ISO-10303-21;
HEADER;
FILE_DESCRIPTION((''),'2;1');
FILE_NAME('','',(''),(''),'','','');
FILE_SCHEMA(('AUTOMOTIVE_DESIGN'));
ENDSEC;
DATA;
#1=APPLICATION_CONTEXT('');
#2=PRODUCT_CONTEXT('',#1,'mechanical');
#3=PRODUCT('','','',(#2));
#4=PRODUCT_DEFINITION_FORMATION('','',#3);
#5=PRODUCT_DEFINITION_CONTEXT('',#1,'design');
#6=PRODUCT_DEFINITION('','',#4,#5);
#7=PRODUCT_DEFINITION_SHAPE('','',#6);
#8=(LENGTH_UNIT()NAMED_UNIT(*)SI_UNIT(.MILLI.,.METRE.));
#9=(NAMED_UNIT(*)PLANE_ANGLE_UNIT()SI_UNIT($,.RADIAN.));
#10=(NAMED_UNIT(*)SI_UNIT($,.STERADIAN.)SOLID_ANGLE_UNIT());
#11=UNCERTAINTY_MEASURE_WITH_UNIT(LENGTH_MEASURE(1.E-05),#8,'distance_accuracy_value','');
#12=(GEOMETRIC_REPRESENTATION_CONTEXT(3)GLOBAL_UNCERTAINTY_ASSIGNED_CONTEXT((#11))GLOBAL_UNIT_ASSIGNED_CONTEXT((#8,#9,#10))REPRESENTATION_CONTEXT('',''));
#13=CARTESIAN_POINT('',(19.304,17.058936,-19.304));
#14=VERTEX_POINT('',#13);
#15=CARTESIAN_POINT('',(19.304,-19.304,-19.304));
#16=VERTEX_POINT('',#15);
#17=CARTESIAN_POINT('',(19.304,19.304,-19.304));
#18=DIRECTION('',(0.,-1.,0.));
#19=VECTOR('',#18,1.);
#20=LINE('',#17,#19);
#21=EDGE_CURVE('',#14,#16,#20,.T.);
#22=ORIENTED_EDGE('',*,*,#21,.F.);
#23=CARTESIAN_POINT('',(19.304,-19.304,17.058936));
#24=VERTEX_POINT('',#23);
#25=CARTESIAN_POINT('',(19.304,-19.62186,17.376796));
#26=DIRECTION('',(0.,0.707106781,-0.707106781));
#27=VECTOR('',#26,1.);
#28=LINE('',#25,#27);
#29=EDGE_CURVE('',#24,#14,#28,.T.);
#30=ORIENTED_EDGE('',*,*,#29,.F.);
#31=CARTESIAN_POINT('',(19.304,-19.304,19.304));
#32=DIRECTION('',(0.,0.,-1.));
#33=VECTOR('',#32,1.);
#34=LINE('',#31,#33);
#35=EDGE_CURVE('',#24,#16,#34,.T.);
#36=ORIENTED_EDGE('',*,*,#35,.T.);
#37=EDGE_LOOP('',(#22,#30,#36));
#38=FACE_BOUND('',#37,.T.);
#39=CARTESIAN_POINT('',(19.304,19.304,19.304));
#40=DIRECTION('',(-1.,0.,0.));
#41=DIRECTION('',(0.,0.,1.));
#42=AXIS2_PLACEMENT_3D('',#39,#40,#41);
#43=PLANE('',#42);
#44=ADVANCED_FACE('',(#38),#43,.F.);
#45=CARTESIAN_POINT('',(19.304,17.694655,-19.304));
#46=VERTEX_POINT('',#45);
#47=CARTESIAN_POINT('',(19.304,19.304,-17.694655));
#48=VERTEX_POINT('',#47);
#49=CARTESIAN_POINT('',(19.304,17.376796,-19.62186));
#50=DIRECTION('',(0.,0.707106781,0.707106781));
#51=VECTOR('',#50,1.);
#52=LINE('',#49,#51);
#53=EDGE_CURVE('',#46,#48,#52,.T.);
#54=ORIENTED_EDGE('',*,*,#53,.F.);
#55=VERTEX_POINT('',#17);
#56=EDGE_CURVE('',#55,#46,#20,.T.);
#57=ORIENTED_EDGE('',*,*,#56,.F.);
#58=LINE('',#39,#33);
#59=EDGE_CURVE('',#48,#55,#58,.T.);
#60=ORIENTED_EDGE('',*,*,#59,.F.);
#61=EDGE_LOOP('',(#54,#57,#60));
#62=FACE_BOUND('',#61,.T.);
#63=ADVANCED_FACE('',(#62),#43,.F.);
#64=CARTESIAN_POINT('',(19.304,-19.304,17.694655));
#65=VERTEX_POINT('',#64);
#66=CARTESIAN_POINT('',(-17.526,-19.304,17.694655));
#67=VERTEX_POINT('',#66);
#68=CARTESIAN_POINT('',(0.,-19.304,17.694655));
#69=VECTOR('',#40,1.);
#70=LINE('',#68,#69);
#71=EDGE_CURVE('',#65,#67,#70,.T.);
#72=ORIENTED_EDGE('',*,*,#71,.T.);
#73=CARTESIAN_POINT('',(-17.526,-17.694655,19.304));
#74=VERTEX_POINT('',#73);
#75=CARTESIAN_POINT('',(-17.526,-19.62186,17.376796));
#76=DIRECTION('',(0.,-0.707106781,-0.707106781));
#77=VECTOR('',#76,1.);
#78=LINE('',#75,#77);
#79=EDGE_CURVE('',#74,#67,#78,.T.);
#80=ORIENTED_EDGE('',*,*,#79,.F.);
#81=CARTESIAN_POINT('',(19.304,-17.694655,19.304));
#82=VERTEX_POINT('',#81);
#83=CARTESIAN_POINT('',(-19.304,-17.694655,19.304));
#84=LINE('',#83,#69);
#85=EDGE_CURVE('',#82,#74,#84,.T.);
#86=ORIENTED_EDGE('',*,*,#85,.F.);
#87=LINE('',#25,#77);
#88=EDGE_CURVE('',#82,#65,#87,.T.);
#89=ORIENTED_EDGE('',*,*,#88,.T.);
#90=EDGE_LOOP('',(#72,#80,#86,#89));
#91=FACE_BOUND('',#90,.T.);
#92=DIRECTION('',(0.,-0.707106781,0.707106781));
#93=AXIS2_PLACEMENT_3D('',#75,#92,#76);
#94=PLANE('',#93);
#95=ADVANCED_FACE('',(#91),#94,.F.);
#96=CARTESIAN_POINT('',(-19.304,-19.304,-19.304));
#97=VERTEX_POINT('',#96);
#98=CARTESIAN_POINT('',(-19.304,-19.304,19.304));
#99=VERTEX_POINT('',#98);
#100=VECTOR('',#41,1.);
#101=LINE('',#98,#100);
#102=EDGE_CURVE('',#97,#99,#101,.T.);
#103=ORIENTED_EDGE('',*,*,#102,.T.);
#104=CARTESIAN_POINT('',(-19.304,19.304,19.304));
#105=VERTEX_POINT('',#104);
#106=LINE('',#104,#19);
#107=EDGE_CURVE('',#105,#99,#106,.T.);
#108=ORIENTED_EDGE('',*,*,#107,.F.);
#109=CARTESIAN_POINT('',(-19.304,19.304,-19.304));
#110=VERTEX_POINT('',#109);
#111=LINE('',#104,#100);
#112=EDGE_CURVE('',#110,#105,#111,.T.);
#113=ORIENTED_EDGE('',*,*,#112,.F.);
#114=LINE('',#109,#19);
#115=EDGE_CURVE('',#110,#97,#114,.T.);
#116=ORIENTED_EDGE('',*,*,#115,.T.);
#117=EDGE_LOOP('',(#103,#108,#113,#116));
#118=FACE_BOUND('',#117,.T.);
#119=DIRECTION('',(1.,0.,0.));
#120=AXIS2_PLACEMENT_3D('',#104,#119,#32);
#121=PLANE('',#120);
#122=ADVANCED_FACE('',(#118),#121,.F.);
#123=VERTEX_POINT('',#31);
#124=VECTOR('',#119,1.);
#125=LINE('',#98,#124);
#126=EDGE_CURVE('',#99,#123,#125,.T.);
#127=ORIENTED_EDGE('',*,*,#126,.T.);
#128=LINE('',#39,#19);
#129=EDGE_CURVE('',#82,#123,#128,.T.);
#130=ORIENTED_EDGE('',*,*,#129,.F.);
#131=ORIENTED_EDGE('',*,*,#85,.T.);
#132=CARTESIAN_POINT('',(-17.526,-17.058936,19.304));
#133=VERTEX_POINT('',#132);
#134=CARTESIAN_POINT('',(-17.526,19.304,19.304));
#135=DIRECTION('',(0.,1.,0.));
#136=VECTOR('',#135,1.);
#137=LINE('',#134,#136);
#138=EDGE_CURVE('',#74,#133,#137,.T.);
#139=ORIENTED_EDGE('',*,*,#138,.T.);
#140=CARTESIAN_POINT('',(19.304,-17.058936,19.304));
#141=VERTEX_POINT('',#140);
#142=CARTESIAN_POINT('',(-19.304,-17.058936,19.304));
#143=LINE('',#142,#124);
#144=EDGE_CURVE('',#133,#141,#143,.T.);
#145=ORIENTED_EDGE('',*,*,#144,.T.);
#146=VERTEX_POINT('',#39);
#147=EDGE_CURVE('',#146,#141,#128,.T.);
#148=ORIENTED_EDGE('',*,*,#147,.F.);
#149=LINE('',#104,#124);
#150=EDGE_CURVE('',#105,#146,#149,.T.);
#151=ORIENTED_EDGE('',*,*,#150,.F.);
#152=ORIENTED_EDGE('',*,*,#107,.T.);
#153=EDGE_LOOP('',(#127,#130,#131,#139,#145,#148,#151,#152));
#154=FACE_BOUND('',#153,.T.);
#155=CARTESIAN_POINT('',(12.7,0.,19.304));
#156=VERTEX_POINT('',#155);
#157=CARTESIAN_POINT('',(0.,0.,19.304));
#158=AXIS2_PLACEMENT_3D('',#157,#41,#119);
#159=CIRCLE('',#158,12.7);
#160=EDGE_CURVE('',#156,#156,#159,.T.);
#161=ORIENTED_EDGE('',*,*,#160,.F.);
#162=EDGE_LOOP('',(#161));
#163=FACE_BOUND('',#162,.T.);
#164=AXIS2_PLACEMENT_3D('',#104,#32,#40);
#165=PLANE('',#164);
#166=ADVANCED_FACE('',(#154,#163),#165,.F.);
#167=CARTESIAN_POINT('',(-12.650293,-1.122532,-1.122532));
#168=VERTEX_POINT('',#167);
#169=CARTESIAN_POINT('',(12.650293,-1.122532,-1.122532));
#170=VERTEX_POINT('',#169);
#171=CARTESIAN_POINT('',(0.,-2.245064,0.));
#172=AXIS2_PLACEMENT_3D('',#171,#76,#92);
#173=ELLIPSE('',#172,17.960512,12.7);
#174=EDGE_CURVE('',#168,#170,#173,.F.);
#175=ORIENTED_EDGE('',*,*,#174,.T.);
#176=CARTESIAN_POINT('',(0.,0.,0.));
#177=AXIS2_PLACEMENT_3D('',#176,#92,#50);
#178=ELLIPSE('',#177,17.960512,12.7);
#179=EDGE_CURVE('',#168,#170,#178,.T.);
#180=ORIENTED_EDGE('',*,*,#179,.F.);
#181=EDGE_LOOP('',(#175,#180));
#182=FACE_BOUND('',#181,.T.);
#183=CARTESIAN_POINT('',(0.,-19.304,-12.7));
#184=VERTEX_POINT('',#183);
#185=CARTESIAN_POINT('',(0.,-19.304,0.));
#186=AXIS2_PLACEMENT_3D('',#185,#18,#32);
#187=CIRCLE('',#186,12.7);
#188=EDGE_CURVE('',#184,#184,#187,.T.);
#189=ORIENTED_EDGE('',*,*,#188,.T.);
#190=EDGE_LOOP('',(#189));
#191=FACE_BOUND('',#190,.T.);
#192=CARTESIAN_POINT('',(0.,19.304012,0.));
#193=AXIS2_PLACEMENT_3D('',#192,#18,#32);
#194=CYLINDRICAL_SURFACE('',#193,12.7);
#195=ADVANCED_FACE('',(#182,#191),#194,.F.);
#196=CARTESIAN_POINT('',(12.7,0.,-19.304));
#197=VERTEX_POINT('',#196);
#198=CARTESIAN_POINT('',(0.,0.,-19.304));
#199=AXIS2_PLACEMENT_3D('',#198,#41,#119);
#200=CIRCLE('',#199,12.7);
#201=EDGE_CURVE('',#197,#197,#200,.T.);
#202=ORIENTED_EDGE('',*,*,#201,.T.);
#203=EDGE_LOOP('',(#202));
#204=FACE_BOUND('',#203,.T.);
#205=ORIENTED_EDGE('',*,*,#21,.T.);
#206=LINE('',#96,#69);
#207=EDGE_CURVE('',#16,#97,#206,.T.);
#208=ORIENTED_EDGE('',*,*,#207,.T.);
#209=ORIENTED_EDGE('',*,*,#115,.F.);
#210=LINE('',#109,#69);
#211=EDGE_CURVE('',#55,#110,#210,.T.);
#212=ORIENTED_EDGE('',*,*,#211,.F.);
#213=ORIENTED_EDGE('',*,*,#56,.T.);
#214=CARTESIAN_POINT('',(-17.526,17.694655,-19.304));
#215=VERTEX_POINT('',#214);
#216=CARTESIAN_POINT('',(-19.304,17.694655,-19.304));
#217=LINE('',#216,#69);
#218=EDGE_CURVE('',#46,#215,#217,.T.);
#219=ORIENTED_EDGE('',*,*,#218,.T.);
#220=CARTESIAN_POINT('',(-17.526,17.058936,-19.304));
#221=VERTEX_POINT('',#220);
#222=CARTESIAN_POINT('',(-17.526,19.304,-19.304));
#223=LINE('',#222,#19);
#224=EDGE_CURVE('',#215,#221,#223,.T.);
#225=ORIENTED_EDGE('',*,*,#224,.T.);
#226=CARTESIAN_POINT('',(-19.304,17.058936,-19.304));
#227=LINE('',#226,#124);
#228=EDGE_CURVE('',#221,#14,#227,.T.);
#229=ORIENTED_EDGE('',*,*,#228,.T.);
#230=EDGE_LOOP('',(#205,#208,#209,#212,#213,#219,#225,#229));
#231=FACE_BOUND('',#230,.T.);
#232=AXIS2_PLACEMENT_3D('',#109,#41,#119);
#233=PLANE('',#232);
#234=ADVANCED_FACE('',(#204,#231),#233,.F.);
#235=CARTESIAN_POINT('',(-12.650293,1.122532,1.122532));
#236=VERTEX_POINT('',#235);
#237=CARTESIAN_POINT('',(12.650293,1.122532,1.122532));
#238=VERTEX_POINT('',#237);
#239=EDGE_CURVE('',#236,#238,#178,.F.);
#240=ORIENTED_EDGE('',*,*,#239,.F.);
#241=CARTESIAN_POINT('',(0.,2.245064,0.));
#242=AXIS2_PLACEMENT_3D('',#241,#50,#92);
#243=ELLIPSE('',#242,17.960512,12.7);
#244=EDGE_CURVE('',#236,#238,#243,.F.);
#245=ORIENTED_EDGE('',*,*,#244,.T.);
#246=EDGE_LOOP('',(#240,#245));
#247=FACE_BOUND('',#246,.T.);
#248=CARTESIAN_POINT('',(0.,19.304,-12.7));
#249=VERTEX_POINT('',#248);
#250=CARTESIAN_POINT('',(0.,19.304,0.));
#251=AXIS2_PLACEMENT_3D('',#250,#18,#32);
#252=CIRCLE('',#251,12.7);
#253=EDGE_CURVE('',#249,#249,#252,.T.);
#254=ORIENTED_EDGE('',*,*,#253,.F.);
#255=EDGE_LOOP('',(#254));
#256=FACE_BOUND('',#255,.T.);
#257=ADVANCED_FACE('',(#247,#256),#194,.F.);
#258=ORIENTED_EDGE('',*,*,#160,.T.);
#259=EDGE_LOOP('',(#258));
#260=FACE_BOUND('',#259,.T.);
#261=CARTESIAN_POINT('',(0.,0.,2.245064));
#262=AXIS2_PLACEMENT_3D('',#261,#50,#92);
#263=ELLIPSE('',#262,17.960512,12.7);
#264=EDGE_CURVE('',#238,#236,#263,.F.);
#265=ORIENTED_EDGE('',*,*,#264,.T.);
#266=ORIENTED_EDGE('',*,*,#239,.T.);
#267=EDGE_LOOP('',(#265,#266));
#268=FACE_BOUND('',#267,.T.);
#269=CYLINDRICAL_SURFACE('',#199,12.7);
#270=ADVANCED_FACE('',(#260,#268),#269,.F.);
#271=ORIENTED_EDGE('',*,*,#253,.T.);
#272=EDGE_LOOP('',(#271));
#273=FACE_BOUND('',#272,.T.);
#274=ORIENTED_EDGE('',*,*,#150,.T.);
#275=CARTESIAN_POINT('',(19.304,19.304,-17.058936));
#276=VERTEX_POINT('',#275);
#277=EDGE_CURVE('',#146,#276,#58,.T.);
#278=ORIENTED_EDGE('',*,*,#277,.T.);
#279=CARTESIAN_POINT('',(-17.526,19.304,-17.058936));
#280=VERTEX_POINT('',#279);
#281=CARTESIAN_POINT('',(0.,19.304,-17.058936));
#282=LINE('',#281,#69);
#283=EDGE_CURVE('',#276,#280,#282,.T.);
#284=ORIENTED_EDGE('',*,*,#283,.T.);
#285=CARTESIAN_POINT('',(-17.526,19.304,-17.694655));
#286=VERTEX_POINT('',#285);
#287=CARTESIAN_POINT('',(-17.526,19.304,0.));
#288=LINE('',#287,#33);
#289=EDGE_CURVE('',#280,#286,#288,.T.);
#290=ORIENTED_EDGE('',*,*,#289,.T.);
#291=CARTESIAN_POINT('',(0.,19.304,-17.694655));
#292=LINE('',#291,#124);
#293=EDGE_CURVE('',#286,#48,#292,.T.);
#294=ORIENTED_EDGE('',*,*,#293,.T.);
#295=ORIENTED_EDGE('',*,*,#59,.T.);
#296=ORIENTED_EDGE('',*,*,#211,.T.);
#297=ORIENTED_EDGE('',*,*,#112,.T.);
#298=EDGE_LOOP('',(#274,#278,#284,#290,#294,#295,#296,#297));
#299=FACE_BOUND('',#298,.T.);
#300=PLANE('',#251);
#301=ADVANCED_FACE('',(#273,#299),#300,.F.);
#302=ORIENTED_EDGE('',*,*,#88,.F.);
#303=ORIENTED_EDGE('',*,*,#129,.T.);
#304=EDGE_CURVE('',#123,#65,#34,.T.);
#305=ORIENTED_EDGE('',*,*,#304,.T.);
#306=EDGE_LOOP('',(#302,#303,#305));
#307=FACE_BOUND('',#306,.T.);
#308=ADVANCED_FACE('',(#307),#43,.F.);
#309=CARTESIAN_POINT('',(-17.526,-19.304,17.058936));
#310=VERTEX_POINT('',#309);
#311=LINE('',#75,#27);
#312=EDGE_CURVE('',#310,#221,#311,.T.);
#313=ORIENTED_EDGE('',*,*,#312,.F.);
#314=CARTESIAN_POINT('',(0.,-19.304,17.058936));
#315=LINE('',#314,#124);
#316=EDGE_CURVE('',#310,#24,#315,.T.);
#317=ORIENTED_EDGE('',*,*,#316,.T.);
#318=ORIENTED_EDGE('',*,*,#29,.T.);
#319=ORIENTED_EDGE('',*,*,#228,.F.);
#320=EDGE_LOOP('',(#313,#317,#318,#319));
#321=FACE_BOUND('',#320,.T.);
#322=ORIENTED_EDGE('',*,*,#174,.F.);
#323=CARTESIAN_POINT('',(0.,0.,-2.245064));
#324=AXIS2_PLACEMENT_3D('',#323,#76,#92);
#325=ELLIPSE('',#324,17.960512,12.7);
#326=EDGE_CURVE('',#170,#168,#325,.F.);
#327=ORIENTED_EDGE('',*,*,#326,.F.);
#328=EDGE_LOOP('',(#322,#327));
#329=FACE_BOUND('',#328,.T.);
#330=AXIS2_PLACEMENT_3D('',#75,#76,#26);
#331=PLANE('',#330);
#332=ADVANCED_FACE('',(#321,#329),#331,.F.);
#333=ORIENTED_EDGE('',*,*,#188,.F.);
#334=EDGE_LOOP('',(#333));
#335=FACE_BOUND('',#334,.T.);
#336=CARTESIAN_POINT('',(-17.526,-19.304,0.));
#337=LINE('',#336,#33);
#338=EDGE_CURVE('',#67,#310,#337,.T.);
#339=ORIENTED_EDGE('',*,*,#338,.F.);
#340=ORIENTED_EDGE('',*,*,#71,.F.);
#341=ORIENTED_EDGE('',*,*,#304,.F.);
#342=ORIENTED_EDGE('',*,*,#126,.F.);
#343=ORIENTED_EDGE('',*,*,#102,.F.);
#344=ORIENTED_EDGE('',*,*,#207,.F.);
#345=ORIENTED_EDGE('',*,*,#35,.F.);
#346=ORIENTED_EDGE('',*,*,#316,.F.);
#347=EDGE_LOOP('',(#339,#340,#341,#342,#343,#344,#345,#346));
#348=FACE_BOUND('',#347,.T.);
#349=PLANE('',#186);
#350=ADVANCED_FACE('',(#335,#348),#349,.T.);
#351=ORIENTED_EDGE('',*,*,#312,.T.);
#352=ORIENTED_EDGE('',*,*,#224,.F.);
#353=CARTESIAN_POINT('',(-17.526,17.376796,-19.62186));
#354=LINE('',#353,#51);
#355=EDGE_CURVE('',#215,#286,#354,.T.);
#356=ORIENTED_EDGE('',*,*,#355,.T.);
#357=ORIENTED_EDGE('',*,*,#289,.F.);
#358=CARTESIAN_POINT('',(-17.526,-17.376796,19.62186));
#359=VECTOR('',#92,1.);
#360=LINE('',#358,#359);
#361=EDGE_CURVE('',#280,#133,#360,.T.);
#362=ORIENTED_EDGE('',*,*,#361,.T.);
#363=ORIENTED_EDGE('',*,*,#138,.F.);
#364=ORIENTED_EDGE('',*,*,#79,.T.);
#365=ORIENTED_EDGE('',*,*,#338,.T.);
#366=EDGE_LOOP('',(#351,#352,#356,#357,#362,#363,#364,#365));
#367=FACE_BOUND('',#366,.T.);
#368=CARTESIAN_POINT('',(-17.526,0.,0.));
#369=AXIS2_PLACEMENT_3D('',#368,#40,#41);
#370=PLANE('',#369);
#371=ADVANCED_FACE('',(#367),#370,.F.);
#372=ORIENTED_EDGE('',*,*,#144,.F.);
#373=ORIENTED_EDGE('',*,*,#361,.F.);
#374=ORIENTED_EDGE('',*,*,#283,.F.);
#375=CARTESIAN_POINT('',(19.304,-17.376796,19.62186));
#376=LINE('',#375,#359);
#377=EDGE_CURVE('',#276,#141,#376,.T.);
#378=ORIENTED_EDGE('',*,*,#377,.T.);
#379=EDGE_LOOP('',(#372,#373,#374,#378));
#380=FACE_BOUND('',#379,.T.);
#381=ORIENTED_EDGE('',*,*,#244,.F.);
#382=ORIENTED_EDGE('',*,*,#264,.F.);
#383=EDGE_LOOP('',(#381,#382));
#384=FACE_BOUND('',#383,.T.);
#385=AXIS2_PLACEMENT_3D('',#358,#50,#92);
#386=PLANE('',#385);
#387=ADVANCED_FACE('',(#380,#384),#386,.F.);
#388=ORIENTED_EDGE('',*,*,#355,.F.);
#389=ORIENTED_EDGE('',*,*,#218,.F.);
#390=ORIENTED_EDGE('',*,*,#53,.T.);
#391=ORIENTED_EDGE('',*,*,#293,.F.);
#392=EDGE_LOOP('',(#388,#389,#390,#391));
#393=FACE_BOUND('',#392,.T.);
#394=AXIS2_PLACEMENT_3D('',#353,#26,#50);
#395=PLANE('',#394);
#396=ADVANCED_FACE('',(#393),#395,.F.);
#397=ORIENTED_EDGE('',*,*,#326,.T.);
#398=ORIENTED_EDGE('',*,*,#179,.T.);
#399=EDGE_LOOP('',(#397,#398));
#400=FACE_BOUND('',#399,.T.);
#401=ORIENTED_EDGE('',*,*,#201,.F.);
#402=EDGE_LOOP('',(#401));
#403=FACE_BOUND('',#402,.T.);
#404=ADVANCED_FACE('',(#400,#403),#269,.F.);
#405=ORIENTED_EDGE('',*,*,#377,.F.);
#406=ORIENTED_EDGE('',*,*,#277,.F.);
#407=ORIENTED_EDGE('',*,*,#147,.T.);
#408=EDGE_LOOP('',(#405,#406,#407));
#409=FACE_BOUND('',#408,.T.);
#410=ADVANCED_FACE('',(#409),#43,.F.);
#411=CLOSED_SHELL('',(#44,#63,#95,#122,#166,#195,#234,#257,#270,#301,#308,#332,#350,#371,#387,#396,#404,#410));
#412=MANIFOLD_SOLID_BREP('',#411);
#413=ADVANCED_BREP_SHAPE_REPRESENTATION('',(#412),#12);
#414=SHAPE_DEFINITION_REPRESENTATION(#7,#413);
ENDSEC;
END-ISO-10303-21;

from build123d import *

# Parameters (mm, degrees)
SKETCH1_W               = 38.608
SKETCH1_H               = 38.608
BOSS_EXTRUDE1_DEPTH     = 19.304
CUT_EXTRUDE1_DEPTH      = 34.435508789
CUT_EXTRUDE1_DEPTH_BACK = 34.435508789
SKETCH2_R               = 12.7
CUT_EXTRUDE3_DEPTH      = 48.284949995
CUT_EXTRUDE3_DEPTH_BACK = 48.284949995
SKETCH3_R               = 12.7
CUT_EXTRUDE4_DEPTH      = 17.526
CUT_EXTRUDE5_DEPTH      = 34.435508789


with BuildPart() as part:
    # Sketch1 → Boss-Extrude1 (new, symmetric)
    with BuildSketch(Plane(origin=(0, 0, 0), x_dir=(1, 0, 0), z_dir=(0, 1, 0))):
        Rectangle(SKETCH1_W, SKETCH1_H)
    extrude(amount=BOSS_EXTRUDE1_DEPTH, both=True)

    # Sketch2 → Cut-Extrude1 (cut, two sides: drawn at the far end of the back side and taken through both)
    with BuildSketch(Plane.XY.offset(-CUT_EXTRUDE1_DEPTH_BACK)):
        Circle(SKETCH2_R)
    extrude(amount=CUT_EXTRUDE1_DEPTH + CUT_EXTRUDE1_DEPTH_BACK, mode=Mode.SUBTRACT)

    # Sketch3 → Cut-Extrude3 (cut, two sides: drawn at the far end of the back side and taken through both)
    with BuildSketch(Plane(origin=(0, 19.304, 0), x_dir=(0, 0, -1), z_dir=(0, -1, 0)).offset(-CUT_EXTRUDE3_DEPTH_BACK)):
        Circle(SKETCH3_R)
    extrude(amount=CUT_EXTRUDE3_DEPTH + CUT_EXTRUDE3_DEPTH_BACK, mode=Mode.SUBTRACT)

    # Sketch4 → Cut-Extrude4 (cut, symmetric)
    with BuildSketch(Plane(origin=(0, 0, 0), x_dir=(0, 0, -1), z_dir=(1, 0, 0))):
        Polygon((-17.376795594, -19.621859625), (19.621859625, 17.376795594), (17.376795594, 19.621859625), (-19.621859625, -17.376795594), align=None)
    extrude(amount=CUT_EXTRUDE4_DEPTH, both=True, mode=Mode.SUBTRACT)

    # Sketch4<2> → Cut-Extrude5 (cut, through all)
    with BuildSketch(Plane(origin=(0, 0, 0), x_dir=(0, 0, -1), z_dir=(1, 0, 0))):
        Polygon((-17.376795594, -19.621859625), (19.621859625, 17.376795594), (17.376795594, 19.621859625), (-19.621859625, -17.376795594), align=None)
    extrude(amount=CUT_EXTRUDE5_DEPTH, mode=Mode.SUBTRACT)


solid = part.part
